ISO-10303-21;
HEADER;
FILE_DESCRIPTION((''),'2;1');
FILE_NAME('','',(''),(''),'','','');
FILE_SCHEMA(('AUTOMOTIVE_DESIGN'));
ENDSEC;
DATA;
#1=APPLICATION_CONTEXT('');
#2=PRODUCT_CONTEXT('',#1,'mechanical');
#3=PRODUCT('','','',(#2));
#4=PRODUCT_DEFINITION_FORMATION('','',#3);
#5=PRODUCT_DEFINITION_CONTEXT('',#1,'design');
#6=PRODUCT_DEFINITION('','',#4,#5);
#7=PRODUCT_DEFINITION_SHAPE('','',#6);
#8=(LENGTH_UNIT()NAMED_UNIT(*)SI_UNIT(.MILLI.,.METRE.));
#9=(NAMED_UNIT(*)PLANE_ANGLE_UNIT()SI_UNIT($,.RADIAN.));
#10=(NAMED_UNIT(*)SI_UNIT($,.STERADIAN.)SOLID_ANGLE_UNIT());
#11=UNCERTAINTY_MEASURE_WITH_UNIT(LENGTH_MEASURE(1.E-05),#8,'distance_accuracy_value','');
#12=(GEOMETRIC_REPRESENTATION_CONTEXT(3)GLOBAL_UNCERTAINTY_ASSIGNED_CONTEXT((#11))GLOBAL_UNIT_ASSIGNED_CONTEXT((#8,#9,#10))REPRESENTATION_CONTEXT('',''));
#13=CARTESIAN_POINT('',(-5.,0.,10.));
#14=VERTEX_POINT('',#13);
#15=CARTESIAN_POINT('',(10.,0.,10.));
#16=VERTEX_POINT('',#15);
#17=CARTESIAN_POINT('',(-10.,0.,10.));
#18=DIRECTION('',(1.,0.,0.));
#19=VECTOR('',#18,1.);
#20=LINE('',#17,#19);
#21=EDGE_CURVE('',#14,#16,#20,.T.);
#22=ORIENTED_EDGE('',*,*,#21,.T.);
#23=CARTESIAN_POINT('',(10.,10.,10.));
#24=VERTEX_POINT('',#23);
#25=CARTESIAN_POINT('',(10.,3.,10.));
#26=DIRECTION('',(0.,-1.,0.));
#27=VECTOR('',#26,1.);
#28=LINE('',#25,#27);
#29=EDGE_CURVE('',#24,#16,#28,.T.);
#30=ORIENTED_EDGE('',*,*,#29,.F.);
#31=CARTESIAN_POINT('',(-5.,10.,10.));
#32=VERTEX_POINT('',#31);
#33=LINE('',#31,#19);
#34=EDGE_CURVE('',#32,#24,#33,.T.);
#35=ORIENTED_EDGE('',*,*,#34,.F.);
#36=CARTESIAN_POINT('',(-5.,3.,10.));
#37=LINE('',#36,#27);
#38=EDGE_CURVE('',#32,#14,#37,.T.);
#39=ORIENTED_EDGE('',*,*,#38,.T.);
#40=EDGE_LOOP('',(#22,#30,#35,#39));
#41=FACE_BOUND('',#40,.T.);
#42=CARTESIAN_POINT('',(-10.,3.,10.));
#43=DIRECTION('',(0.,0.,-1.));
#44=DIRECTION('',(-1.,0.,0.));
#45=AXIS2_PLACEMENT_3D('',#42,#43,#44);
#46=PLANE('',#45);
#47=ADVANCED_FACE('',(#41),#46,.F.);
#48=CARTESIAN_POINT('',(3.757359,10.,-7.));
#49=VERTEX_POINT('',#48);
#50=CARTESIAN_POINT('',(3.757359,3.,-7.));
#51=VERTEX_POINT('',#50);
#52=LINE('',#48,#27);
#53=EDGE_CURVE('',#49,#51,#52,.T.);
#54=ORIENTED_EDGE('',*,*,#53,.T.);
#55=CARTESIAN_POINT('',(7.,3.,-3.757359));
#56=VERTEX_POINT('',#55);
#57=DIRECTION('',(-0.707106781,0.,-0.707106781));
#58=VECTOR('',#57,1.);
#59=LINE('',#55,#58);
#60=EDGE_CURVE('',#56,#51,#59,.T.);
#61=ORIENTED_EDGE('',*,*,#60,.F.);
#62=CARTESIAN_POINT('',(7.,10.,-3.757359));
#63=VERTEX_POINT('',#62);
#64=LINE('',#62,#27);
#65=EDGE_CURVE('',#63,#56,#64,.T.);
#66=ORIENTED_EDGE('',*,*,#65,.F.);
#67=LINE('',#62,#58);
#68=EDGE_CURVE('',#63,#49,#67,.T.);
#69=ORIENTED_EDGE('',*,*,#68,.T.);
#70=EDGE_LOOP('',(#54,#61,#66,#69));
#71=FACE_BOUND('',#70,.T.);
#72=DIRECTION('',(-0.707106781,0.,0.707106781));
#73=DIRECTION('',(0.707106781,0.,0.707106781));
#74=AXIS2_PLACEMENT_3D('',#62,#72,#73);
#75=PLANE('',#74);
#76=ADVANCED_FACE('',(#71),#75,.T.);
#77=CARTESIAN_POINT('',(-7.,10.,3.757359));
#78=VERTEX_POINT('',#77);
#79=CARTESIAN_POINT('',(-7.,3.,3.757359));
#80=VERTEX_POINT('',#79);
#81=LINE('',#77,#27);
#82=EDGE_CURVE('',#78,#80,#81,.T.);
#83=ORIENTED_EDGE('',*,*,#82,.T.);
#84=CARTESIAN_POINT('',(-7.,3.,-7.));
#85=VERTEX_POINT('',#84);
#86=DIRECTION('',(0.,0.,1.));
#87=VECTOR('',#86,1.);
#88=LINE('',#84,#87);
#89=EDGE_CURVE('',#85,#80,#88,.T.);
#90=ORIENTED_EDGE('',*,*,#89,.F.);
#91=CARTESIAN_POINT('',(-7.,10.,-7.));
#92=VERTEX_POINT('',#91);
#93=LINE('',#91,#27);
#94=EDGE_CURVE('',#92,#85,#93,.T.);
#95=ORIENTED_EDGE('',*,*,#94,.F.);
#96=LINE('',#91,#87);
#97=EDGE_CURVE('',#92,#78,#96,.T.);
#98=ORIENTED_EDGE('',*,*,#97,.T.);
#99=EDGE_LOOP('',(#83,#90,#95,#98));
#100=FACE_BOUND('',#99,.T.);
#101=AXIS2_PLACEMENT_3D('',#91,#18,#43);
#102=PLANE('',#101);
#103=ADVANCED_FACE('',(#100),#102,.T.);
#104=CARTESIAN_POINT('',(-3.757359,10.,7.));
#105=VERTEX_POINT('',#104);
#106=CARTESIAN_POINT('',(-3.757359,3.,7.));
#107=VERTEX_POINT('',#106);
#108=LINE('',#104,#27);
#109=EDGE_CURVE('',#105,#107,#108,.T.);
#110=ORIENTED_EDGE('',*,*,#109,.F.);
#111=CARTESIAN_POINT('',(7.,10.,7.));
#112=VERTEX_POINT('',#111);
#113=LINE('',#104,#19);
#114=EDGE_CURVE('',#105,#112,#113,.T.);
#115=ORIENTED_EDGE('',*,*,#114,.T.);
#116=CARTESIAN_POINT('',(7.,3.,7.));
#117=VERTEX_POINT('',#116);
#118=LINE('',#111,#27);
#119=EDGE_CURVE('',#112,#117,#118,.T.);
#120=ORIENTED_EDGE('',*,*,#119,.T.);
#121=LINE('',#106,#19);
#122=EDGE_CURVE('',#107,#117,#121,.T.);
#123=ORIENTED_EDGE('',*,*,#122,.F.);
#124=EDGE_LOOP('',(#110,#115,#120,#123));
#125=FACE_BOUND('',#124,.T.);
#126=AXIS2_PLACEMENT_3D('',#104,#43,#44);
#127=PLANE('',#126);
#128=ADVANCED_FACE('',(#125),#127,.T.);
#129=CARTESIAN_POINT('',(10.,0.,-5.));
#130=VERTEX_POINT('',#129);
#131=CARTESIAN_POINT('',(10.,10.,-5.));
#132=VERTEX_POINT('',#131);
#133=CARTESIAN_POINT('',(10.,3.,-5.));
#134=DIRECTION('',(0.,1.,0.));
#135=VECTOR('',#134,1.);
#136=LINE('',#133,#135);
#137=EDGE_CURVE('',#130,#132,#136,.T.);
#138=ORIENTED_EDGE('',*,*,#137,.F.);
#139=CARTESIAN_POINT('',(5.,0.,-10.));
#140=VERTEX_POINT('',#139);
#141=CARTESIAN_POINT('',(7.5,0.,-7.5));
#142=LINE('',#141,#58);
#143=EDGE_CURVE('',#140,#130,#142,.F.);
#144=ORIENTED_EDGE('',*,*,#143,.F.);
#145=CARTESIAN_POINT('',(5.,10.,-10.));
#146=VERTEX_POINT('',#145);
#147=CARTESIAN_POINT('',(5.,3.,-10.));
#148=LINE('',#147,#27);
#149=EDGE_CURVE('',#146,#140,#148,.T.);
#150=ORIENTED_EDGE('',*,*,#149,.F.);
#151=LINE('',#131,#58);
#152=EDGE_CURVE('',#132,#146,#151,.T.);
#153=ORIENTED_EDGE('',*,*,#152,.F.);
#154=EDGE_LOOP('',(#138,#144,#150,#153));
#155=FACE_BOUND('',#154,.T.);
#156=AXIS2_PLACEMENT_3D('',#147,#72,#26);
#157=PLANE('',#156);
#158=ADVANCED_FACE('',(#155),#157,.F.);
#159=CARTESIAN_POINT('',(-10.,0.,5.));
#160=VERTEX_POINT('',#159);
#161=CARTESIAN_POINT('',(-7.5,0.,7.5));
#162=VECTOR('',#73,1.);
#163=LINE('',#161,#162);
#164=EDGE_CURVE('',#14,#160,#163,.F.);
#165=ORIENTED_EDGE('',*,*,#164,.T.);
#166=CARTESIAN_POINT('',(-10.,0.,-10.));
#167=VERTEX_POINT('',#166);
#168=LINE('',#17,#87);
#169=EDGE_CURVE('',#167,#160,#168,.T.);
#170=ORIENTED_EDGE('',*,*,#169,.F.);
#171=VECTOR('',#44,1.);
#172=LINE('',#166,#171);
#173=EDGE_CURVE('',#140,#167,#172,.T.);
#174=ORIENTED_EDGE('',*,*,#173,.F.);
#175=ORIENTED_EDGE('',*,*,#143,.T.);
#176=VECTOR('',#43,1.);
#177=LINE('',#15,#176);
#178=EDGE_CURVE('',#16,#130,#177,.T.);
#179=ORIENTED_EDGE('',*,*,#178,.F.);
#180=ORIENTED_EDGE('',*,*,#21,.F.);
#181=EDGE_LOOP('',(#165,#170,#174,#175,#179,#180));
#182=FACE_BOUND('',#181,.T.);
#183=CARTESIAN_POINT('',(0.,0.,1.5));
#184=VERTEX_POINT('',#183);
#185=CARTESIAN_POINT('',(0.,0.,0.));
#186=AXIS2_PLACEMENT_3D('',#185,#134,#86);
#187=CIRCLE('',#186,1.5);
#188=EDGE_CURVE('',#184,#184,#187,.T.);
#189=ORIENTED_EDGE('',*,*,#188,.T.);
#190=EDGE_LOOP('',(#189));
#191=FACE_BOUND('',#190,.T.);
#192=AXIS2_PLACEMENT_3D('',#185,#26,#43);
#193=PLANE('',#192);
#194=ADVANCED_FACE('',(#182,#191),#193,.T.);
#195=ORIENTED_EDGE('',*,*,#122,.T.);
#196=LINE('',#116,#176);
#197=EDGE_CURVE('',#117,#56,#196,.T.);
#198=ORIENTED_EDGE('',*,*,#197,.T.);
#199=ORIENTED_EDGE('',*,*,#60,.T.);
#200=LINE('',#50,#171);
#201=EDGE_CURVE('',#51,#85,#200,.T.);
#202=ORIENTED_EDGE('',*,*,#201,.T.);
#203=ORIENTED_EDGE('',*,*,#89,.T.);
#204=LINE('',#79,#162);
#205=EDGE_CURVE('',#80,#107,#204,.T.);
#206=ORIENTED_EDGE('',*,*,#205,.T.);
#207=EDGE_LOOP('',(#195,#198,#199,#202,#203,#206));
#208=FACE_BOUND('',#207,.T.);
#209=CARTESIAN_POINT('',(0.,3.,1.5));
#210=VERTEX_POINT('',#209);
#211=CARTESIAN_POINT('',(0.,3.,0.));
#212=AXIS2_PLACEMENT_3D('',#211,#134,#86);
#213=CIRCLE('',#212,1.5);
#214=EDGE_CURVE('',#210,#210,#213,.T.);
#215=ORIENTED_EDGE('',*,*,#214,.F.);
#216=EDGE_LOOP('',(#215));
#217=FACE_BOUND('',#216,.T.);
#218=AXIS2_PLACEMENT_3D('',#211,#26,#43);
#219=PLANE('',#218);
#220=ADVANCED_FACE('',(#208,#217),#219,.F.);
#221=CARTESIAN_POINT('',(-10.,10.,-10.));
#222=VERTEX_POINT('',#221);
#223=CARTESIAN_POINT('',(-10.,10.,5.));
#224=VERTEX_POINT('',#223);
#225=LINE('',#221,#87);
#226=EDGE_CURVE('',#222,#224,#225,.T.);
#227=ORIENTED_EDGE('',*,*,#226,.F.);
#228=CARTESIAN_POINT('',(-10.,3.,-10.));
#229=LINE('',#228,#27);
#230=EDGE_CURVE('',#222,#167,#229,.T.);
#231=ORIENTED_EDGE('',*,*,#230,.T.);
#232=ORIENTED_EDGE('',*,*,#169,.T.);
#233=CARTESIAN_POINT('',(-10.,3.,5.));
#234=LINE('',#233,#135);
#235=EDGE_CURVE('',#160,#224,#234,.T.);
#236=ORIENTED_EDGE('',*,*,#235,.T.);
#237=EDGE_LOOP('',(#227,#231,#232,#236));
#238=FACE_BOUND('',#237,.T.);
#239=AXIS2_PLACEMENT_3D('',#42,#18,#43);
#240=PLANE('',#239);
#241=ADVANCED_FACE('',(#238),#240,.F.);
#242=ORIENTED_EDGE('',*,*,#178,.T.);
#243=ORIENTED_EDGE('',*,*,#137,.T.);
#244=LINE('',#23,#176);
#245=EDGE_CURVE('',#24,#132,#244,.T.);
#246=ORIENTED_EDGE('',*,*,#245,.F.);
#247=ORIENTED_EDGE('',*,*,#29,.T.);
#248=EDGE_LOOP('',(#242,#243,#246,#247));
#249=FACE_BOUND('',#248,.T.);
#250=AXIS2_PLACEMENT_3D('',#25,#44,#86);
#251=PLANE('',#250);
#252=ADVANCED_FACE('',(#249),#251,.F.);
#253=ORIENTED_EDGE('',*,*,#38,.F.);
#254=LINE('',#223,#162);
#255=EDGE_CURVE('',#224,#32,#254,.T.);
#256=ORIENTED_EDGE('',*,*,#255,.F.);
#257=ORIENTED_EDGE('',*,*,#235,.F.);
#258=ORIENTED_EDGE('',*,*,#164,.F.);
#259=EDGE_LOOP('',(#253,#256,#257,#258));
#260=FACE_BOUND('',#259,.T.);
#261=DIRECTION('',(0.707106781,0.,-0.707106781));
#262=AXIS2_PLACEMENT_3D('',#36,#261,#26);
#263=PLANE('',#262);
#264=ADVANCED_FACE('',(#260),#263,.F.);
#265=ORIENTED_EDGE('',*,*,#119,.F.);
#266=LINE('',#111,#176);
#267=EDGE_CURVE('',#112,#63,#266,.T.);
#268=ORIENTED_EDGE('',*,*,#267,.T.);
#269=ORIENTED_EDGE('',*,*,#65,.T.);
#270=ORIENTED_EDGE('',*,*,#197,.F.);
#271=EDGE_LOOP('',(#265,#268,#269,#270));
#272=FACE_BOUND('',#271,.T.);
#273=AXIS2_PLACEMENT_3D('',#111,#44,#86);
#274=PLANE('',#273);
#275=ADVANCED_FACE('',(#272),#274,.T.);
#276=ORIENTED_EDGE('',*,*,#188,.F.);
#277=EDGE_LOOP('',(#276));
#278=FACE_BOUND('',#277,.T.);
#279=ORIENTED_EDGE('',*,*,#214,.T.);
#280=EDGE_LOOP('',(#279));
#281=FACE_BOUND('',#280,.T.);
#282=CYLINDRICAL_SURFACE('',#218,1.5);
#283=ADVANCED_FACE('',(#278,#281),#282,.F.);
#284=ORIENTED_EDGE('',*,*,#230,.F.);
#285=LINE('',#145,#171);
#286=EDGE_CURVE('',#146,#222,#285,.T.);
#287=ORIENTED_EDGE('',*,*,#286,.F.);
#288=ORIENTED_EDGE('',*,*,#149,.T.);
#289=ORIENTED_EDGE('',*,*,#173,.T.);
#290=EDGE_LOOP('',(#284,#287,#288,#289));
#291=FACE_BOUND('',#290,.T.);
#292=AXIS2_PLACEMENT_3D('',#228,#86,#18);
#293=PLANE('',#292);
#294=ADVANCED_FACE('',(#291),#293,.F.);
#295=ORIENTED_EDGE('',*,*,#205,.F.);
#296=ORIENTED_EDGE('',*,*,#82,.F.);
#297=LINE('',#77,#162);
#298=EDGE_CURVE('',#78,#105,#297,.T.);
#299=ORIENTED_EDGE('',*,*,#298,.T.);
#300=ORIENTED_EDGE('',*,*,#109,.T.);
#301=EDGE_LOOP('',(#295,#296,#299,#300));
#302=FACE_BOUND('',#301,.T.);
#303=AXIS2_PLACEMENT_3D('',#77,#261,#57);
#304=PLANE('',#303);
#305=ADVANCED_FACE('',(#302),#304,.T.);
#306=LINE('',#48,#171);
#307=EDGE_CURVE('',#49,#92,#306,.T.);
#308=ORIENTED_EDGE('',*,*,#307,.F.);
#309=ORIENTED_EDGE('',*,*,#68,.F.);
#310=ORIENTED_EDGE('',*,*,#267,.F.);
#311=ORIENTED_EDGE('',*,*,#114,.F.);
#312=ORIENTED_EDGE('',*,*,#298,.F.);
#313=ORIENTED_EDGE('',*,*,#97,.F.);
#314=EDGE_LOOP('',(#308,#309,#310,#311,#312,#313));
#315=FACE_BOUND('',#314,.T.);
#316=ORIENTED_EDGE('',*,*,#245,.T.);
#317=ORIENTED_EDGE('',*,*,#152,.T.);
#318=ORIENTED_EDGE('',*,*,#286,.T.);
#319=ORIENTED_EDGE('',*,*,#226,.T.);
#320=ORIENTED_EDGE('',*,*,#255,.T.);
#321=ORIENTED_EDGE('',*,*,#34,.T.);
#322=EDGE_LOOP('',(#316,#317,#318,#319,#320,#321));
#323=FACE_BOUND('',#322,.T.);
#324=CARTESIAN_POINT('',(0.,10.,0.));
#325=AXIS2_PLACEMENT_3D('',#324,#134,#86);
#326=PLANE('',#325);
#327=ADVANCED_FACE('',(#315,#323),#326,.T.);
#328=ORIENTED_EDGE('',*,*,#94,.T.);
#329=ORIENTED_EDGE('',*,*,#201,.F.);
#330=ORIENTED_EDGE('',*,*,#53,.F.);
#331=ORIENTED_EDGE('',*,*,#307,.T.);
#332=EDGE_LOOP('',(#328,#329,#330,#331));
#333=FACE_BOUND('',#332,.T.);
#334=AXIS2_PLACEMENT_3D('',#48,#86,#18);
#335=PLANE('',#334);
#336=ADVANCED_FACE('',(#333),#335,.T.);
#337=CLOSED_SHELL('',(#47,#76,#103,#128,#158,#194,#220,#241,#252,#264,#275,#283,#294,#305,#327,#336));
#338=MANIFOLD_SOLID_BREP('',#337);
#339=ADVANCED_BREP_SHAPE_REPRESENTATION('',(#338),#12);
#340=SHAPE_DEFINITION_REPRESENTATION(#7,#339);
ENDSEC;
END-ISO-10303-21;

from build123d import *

# Parameters (mm, degrees)
SKETCH_1_W      = 20
SKETCH_1_H      = 20
SKETCH_1_R      = 1.5
EXTRUDE_1_DEPTH = 3
CHAMFER_1_SIZE  = 5
EXTRUDE_2_DEPTH = 7


with BuildPart() as part:
    # 草图1 → 凸台-拉伸1 (new body)
    with BuildSketch(Plane(origin=(0, 0, 0), x_dir=(1, 0, 0), z_dir=(0, 1, 0))):
        Rectangle(SKETCH_1_W, SKETCH_1_H)
        with Locations(Location((0, 0, 0), (0, 0, 270))):
            Circle(SKETCH_1_R, mode=Mode.SUBTRACT)
    extrude(amount=EXTRUDE_1_DEPTH)

    # 倒角1
    chamfer_1_edges = [part.edges().sort_by_distance(p)[0] for p in [
        (-10, 1.5, 10),
        (10, 1.5, -10),
    ]]
    chamfer(chamfer_1_edges, length=CHAMFER_1_SIZE)

    # 草图2 → 凸台-拉伸2 (add)
    with BuildSketch(Plane(origin=(0, 3, 0), x_dir=(1, 0, 0), z_dir=(0, 1, 0))):
        Polygon((10, -10), (10, 5), (5, 10), (-10, 10), (-10, -5), (-5, -10), align=None)
        Polygon((-7, 7), (-7, -3.757359313), (-3.757359313, -7), (7, -7), (7, 3.757359313), (3.757359313, 7), align=None, mode=Mode.SUBTRACT)
    extrude(amount=EXTRUDE_2_DEPTH)


solid = part.part
